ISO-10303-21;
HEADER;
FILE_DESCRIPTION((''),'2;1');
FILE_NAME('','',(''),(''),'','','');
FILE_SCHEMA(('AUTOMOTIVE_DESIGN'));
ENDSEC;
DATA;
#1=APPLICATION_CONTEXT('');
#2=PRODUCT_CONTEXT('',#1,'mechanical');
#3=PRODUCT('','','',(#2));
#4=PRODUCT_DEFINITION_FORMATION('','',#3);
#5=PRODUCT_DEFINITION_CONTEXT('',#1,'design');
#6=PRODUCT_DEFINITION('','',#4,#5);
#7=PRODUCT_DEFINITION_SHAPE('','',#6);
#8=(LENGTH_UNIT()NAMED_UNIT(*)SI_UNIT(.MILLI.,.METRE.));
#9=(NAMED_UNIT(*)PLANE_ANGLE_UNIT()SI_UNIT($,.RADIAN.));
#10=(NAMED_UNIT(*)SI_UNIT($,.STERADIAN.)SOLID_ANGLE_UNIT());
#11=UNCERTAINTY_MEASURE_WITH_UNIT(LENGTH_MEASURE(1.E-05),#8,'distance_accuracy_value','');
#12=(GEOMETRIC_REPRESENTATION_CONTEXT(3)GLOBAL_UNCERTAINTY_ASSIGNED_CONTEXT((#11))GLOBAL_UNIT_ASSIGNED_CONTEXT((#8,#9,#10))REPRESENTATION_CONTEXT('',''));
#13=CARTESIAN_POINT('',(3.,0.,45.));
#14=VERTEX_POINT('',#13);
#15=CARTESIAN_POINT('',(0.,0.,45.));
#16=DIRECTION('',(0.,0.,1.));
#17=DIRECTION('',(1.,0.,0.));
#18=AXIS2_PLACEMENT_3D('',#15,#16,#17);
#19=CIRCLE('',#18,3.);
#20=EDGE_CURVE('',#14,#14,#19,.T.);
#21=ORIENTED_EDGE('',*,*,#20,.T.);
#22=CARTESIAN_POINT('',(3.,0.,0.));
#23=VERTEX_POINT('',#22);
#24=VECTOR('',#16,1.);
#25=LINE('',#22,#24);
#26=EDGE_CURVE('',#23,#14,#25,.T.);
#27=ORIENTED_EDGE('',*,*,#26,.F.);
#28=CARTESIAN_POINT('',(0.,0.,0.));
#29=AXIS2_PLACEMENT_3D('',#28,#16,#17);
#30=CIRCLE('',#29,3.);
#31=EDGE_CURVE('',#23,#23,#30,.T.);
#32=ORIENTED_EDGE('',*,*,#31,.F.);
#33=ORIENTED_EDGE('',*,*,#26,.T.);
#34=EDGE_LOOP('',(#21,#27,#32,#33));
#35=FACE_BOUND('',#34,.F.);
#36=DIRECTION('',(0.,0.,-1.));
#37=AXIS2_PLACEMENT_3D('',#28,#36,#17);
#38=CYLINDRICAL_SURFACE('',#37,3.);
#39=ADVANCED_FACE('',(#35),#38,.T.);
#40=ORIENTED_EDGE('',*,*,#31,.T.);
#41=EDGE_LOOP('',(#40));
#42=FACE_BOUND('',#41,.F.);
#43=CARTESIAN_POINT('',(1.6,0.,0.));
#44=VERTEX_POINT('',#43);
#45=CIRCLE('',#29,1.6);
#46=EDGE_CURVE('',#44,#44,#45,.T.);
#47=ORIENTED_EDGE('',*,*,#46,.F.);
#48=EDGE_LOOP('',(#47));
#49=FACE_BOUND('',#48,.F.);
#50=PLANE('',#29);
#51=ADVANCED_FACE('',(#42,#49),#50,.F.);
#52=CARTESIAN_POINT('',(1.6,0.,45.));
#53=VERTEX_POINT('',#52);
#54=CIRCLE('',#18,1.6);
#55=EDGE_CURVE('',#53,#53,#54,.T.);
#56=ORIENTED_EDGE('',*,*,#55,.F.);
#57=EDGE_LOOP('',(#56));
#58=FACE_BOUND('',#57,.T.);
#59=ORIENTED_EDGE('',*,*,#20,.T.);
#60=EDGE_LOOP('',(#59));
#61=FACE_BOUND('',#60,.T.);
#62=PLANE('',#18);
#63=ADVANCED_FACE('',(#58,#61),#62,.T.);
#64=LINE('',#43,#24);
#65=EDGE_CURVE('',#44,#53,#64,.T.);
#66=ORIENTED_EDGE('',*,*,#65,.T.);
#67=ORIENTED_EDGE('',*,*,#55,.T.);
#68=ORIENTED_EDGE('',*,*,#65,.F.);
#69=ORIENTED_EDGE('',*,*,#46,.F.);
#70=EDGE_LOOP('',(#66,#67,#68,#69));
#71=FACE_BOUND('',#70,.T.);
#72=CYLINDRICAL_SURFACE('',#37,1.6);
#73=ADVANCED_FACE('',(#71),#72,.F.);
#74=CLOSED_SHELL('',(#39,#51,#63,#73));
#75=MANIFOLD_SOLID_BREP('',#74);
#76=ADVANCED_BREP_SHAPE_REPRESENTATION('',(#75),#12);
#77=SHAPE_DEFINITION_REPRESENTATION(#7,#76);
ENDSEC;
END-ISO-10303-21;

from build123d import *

# Parameters (mm, degrees)
SKETCH_R   = 3
SKETCH_R_2 = 1.6
PAD_DEPTH  = 45


with BuildPart() as part:
    # Sketch → Pad (new body)
    with BuildSketch(Plane.XY):
        Circle(SKETCH_R)
        Circle(SKETCH_R_2, mode=Mode.SUBTRACT)
    extrude(amount=PAD_DEPTH)


solid = part.part
